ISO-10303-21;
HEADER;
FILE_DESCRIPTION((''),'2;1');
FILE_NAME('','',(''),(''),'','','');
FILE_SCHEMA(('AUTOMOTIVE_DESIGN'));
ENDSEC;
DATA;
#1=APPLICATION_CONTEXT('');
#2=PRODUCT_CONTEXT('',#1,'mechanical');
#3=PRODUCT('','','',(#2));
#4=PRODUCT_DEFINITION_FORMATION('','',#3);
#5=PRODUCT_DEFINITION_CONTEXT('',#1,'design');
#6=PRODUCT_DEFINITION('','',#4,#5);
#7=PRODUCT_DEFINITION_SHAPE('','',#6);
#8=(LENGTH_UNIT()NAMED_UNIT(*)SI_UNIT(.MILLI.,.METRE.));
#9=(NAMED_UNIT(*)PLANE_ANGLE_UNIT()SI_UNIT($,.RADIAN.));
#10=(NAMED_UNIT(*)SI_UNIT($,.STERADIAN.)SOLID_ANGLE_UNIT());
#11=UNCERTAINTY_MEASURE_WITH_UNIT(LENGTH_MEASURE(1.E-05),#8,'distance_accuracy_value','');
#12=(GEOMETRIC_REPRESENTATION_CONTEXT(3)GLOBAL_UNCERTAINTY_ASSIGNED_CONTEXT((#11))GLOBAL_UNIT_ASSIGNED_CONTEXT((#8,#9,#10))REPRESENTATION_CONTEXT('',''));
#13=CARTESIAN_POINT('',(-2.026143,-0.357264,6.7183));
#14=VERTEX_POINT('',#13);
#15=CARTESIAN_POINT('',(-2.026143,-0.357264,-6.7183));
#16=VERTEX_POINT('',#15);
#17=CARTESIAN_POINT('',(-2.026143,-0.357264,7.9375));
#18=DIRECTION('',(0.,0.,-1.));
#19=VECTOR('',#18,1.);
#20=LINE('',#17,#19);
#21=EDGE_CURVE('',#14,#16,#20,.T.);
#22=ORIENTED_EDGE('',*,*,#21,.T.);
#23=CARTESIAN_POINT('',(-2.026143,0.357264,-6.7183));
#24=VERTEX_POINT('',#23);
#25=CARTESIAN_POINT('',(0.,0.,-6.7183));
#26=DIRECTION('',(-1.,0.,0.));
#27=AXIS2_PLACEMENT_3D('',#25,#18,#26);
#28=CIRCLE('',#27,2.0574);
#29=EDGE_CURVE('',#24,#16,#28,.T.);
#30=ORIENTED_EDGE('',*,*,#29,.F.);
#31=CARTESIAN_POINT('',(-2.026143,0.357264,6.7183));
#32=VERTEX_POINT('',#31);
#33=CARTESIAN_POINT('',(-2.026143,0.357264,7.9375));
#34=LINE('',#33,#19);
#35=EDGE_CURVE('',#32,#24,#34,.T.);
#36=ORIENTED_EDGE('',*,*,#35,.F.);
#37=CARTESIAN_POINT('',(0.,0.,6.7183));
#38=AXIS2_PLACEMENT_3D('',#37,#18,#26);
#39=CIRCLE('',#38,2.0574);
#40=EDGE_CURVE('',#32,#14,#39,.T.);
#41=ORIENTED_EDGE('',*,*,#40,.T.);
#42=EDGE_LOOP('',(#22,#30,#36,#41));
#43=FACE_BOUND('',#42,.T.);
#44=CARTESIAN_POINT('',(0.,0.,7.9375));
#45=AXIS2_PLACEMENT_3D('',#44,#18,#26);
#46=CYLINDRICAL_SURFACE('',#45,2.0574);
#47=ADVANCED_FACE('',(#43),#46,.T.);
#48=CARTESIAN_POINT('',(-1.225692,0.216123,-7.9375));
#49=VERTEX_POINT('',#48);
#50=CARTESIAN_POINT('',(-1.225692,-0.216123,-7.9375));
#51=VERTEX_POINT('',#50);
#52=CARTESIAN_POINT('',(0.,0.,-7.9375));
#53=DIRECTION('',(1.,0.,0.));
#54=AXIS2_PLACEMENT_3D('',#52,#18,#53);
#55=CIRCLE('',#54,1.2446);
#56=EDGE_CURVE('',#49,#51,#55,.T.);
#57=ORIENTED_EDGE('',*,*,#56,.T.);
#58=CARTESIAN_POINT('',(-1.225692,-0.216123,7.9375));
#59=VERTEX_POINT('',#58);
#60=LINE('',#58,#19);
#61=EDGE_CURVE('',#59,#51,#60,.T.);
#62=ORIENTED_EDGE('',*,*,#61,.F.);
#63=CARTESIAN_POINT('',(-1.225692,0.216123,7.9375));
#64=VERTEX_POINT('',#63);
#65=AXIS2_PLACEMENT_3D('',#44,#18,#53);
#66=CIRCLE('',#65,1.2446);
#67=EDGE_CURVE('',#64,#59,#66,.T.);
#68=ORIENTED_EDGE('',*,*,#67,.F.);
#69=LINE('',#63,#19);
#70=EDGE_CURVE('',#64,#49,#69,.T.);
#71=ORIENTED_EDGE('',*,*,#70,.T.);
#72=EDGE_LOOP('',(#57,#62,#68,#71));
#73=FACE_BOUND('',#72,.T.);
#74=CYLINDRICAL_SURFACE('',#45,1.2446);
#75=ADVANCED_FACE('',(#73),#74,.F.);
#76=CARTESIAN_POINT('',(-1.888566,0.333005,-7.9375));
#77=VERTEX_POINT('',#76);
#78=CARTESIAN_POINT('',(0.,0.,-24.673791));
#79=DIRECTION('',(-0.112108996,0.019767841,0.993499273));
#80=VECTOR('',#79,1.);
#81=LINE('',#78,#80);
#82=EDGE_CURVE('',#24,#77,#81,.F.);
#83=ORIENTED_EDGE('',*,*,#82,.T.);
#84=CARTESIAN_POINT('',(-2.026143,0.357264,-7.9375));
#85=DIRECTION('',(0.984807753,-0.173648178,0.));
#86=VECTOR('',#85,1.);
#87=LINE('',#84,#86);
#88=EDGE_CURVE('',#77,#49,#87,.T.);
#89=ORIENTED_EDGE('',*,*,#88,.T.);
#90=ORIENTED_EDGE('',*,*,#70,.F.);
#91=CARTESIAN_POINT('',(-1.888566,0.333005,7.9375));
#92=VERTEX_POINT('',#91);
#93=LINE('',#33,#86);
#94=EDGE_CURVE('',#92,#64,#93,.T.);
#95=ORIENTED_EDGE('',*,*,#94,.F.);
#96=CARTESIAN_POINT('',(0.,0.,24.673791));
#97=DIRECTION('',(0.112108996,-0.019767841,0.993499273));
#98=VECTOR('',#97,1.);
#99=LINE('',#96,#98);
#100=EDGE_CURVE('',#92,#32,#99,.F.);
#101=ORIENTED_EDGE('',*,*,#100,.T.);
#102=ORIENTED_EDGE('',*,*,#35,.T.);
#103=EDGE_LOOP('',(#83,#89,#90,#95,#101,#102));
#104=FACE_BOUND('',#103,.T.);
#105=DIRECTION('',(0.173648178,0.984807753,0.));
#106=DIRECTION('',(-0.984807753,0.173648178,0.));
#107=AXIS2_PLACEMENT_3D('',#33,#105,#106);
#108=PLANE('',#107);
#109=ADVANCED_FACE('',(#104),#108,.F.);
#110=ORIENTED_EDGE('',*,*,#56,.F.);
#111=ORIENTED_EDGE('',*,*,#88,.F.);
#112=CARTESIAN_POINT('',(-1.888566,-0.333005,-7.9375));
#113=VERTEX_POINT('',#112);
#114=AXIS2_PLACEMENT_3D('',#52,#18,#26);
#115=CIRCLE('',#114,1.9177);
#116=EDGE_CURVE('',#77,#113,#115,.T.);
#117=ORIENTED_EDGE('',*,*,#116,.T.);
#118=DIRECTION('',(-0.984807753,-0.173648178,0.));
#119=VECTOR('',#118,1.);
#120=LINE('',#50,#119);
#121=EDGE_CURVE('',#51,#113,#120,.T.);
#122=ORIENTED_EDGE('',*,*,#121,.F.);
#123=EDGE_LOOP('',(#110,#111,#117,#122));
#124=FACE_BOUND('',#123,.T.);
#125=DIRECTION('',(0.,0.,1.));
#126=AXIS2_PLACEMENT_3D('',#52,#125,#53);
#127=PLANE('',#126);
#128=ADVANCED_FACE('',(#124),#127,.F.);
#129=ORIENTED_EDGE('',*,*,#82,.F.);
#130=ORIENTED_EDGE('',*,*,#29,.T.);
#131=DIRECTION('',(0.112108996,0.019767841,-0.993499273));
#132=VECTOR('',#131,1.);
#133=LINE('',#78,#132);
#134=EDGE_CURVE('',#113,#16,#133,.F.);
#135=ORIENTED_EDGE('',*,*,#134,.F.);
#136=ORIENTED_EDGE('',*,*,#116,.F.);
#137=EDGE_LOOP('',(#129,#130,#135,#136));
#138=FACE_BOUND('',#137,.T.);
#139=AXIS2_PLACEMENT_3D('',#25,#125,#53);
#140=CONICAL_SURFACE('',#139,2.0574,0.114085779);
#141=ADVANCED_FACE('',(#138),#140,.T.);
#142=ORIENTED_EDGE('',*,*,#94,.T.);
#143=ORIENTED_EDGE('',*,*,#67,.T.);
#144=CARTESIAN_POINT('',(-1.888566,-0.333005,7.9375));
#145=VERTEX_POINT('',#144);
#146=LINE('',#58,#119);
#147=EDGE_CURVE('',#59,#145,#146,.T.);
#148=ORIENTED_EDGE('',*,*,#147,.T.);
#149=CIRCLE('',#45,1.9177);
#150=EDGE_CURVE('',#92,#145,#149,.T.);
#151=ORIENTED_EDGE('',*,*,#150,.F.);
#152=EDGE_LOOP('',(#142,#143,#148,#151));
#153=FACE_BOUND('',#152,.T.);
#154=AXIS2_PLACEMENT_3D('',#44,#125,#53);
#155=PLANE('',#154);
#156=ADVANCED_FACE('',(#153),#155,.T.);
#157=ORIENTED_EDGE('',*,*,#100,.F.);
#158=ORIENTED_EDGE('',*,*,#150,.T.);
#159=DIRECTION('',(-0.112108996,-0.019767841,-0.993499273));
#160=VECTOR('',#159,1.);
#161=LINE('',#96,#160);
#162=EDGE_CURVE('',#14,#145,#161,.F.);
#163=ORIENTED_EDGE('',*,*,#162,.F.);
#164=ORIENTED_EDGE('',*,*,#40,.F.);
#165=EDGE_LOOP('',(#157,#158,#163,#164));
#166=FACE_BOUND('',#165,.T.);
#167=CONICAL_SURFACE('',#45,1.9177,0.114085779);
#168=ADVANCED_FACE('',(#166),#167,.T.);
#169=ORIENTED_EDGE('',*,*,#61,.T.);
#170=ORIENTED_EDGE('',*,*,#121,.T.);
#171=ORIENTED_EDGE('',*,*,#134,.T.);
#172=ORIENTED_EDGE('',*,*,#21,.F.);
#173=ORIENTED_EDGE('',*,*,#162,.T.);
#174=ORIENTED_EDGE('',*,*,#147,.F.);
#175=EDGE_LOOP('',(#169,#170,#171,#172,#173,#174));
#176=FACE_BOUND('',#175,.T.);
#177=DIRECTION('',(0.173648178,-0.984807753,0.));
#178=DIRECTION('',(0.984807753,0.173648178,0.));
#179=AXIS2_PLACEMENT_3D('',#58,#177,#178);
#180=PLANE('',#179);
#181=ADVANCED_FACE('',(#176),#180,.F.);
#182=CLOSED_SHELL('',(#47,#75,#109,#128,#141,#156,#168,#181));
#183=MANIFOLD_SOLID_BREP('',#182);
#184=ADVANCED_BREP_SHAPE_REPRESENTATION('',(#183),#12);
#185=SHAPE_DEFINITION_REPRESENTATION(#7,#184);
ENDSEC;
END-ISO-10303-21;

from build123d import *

# Parameters (mm, degrees)
EXTRUDE1_DEPTH = 7.9375


with BuildPart() as part:
    # Sketch1 → Extrude1 (new body, symmetric)
    with BuildSketch(Plane.XY):
        with BuildLine():
            Line((-2.026143471, 0.357263761), (-1.225691729, 0.216122522))
            ThreePointArc((-1.225691729, 0.216122522), (1.2446, 0), (-1.225691729, -0.216122522))
            Line((-1.225691729, -0.216122522), (-2.026143471, -0.357263761))
            ThreePointArc((-2.026143471, -0.357263761), (2.0574, 0), (-2.026143471, 0.357263761))
        make_face()
    extrude(amount=EXTRUDE1_DEPTH, both=True)

    # Sketch2 → Cut-Revolve1 (revolve, cut)
    with BuildSketch(Plane(origin=(0, 0, 0), x_dir=(0, 0, -1), z_dir=(1, 0, 0))):
        Polygon((7.9375, 2.0574), (7.9375, 1.9177), (6.7183, 2.0574), align=None)
        Polygon((-6.7183, 2.0574), (-7.9375, 2.0574), (-7.9375, 1.9177), align=None)
    revolve(axis=Axis((0, 0, -7.9375), (0, 0, 1)), mode=Mode.SUBTRACT)


solid = part.part
